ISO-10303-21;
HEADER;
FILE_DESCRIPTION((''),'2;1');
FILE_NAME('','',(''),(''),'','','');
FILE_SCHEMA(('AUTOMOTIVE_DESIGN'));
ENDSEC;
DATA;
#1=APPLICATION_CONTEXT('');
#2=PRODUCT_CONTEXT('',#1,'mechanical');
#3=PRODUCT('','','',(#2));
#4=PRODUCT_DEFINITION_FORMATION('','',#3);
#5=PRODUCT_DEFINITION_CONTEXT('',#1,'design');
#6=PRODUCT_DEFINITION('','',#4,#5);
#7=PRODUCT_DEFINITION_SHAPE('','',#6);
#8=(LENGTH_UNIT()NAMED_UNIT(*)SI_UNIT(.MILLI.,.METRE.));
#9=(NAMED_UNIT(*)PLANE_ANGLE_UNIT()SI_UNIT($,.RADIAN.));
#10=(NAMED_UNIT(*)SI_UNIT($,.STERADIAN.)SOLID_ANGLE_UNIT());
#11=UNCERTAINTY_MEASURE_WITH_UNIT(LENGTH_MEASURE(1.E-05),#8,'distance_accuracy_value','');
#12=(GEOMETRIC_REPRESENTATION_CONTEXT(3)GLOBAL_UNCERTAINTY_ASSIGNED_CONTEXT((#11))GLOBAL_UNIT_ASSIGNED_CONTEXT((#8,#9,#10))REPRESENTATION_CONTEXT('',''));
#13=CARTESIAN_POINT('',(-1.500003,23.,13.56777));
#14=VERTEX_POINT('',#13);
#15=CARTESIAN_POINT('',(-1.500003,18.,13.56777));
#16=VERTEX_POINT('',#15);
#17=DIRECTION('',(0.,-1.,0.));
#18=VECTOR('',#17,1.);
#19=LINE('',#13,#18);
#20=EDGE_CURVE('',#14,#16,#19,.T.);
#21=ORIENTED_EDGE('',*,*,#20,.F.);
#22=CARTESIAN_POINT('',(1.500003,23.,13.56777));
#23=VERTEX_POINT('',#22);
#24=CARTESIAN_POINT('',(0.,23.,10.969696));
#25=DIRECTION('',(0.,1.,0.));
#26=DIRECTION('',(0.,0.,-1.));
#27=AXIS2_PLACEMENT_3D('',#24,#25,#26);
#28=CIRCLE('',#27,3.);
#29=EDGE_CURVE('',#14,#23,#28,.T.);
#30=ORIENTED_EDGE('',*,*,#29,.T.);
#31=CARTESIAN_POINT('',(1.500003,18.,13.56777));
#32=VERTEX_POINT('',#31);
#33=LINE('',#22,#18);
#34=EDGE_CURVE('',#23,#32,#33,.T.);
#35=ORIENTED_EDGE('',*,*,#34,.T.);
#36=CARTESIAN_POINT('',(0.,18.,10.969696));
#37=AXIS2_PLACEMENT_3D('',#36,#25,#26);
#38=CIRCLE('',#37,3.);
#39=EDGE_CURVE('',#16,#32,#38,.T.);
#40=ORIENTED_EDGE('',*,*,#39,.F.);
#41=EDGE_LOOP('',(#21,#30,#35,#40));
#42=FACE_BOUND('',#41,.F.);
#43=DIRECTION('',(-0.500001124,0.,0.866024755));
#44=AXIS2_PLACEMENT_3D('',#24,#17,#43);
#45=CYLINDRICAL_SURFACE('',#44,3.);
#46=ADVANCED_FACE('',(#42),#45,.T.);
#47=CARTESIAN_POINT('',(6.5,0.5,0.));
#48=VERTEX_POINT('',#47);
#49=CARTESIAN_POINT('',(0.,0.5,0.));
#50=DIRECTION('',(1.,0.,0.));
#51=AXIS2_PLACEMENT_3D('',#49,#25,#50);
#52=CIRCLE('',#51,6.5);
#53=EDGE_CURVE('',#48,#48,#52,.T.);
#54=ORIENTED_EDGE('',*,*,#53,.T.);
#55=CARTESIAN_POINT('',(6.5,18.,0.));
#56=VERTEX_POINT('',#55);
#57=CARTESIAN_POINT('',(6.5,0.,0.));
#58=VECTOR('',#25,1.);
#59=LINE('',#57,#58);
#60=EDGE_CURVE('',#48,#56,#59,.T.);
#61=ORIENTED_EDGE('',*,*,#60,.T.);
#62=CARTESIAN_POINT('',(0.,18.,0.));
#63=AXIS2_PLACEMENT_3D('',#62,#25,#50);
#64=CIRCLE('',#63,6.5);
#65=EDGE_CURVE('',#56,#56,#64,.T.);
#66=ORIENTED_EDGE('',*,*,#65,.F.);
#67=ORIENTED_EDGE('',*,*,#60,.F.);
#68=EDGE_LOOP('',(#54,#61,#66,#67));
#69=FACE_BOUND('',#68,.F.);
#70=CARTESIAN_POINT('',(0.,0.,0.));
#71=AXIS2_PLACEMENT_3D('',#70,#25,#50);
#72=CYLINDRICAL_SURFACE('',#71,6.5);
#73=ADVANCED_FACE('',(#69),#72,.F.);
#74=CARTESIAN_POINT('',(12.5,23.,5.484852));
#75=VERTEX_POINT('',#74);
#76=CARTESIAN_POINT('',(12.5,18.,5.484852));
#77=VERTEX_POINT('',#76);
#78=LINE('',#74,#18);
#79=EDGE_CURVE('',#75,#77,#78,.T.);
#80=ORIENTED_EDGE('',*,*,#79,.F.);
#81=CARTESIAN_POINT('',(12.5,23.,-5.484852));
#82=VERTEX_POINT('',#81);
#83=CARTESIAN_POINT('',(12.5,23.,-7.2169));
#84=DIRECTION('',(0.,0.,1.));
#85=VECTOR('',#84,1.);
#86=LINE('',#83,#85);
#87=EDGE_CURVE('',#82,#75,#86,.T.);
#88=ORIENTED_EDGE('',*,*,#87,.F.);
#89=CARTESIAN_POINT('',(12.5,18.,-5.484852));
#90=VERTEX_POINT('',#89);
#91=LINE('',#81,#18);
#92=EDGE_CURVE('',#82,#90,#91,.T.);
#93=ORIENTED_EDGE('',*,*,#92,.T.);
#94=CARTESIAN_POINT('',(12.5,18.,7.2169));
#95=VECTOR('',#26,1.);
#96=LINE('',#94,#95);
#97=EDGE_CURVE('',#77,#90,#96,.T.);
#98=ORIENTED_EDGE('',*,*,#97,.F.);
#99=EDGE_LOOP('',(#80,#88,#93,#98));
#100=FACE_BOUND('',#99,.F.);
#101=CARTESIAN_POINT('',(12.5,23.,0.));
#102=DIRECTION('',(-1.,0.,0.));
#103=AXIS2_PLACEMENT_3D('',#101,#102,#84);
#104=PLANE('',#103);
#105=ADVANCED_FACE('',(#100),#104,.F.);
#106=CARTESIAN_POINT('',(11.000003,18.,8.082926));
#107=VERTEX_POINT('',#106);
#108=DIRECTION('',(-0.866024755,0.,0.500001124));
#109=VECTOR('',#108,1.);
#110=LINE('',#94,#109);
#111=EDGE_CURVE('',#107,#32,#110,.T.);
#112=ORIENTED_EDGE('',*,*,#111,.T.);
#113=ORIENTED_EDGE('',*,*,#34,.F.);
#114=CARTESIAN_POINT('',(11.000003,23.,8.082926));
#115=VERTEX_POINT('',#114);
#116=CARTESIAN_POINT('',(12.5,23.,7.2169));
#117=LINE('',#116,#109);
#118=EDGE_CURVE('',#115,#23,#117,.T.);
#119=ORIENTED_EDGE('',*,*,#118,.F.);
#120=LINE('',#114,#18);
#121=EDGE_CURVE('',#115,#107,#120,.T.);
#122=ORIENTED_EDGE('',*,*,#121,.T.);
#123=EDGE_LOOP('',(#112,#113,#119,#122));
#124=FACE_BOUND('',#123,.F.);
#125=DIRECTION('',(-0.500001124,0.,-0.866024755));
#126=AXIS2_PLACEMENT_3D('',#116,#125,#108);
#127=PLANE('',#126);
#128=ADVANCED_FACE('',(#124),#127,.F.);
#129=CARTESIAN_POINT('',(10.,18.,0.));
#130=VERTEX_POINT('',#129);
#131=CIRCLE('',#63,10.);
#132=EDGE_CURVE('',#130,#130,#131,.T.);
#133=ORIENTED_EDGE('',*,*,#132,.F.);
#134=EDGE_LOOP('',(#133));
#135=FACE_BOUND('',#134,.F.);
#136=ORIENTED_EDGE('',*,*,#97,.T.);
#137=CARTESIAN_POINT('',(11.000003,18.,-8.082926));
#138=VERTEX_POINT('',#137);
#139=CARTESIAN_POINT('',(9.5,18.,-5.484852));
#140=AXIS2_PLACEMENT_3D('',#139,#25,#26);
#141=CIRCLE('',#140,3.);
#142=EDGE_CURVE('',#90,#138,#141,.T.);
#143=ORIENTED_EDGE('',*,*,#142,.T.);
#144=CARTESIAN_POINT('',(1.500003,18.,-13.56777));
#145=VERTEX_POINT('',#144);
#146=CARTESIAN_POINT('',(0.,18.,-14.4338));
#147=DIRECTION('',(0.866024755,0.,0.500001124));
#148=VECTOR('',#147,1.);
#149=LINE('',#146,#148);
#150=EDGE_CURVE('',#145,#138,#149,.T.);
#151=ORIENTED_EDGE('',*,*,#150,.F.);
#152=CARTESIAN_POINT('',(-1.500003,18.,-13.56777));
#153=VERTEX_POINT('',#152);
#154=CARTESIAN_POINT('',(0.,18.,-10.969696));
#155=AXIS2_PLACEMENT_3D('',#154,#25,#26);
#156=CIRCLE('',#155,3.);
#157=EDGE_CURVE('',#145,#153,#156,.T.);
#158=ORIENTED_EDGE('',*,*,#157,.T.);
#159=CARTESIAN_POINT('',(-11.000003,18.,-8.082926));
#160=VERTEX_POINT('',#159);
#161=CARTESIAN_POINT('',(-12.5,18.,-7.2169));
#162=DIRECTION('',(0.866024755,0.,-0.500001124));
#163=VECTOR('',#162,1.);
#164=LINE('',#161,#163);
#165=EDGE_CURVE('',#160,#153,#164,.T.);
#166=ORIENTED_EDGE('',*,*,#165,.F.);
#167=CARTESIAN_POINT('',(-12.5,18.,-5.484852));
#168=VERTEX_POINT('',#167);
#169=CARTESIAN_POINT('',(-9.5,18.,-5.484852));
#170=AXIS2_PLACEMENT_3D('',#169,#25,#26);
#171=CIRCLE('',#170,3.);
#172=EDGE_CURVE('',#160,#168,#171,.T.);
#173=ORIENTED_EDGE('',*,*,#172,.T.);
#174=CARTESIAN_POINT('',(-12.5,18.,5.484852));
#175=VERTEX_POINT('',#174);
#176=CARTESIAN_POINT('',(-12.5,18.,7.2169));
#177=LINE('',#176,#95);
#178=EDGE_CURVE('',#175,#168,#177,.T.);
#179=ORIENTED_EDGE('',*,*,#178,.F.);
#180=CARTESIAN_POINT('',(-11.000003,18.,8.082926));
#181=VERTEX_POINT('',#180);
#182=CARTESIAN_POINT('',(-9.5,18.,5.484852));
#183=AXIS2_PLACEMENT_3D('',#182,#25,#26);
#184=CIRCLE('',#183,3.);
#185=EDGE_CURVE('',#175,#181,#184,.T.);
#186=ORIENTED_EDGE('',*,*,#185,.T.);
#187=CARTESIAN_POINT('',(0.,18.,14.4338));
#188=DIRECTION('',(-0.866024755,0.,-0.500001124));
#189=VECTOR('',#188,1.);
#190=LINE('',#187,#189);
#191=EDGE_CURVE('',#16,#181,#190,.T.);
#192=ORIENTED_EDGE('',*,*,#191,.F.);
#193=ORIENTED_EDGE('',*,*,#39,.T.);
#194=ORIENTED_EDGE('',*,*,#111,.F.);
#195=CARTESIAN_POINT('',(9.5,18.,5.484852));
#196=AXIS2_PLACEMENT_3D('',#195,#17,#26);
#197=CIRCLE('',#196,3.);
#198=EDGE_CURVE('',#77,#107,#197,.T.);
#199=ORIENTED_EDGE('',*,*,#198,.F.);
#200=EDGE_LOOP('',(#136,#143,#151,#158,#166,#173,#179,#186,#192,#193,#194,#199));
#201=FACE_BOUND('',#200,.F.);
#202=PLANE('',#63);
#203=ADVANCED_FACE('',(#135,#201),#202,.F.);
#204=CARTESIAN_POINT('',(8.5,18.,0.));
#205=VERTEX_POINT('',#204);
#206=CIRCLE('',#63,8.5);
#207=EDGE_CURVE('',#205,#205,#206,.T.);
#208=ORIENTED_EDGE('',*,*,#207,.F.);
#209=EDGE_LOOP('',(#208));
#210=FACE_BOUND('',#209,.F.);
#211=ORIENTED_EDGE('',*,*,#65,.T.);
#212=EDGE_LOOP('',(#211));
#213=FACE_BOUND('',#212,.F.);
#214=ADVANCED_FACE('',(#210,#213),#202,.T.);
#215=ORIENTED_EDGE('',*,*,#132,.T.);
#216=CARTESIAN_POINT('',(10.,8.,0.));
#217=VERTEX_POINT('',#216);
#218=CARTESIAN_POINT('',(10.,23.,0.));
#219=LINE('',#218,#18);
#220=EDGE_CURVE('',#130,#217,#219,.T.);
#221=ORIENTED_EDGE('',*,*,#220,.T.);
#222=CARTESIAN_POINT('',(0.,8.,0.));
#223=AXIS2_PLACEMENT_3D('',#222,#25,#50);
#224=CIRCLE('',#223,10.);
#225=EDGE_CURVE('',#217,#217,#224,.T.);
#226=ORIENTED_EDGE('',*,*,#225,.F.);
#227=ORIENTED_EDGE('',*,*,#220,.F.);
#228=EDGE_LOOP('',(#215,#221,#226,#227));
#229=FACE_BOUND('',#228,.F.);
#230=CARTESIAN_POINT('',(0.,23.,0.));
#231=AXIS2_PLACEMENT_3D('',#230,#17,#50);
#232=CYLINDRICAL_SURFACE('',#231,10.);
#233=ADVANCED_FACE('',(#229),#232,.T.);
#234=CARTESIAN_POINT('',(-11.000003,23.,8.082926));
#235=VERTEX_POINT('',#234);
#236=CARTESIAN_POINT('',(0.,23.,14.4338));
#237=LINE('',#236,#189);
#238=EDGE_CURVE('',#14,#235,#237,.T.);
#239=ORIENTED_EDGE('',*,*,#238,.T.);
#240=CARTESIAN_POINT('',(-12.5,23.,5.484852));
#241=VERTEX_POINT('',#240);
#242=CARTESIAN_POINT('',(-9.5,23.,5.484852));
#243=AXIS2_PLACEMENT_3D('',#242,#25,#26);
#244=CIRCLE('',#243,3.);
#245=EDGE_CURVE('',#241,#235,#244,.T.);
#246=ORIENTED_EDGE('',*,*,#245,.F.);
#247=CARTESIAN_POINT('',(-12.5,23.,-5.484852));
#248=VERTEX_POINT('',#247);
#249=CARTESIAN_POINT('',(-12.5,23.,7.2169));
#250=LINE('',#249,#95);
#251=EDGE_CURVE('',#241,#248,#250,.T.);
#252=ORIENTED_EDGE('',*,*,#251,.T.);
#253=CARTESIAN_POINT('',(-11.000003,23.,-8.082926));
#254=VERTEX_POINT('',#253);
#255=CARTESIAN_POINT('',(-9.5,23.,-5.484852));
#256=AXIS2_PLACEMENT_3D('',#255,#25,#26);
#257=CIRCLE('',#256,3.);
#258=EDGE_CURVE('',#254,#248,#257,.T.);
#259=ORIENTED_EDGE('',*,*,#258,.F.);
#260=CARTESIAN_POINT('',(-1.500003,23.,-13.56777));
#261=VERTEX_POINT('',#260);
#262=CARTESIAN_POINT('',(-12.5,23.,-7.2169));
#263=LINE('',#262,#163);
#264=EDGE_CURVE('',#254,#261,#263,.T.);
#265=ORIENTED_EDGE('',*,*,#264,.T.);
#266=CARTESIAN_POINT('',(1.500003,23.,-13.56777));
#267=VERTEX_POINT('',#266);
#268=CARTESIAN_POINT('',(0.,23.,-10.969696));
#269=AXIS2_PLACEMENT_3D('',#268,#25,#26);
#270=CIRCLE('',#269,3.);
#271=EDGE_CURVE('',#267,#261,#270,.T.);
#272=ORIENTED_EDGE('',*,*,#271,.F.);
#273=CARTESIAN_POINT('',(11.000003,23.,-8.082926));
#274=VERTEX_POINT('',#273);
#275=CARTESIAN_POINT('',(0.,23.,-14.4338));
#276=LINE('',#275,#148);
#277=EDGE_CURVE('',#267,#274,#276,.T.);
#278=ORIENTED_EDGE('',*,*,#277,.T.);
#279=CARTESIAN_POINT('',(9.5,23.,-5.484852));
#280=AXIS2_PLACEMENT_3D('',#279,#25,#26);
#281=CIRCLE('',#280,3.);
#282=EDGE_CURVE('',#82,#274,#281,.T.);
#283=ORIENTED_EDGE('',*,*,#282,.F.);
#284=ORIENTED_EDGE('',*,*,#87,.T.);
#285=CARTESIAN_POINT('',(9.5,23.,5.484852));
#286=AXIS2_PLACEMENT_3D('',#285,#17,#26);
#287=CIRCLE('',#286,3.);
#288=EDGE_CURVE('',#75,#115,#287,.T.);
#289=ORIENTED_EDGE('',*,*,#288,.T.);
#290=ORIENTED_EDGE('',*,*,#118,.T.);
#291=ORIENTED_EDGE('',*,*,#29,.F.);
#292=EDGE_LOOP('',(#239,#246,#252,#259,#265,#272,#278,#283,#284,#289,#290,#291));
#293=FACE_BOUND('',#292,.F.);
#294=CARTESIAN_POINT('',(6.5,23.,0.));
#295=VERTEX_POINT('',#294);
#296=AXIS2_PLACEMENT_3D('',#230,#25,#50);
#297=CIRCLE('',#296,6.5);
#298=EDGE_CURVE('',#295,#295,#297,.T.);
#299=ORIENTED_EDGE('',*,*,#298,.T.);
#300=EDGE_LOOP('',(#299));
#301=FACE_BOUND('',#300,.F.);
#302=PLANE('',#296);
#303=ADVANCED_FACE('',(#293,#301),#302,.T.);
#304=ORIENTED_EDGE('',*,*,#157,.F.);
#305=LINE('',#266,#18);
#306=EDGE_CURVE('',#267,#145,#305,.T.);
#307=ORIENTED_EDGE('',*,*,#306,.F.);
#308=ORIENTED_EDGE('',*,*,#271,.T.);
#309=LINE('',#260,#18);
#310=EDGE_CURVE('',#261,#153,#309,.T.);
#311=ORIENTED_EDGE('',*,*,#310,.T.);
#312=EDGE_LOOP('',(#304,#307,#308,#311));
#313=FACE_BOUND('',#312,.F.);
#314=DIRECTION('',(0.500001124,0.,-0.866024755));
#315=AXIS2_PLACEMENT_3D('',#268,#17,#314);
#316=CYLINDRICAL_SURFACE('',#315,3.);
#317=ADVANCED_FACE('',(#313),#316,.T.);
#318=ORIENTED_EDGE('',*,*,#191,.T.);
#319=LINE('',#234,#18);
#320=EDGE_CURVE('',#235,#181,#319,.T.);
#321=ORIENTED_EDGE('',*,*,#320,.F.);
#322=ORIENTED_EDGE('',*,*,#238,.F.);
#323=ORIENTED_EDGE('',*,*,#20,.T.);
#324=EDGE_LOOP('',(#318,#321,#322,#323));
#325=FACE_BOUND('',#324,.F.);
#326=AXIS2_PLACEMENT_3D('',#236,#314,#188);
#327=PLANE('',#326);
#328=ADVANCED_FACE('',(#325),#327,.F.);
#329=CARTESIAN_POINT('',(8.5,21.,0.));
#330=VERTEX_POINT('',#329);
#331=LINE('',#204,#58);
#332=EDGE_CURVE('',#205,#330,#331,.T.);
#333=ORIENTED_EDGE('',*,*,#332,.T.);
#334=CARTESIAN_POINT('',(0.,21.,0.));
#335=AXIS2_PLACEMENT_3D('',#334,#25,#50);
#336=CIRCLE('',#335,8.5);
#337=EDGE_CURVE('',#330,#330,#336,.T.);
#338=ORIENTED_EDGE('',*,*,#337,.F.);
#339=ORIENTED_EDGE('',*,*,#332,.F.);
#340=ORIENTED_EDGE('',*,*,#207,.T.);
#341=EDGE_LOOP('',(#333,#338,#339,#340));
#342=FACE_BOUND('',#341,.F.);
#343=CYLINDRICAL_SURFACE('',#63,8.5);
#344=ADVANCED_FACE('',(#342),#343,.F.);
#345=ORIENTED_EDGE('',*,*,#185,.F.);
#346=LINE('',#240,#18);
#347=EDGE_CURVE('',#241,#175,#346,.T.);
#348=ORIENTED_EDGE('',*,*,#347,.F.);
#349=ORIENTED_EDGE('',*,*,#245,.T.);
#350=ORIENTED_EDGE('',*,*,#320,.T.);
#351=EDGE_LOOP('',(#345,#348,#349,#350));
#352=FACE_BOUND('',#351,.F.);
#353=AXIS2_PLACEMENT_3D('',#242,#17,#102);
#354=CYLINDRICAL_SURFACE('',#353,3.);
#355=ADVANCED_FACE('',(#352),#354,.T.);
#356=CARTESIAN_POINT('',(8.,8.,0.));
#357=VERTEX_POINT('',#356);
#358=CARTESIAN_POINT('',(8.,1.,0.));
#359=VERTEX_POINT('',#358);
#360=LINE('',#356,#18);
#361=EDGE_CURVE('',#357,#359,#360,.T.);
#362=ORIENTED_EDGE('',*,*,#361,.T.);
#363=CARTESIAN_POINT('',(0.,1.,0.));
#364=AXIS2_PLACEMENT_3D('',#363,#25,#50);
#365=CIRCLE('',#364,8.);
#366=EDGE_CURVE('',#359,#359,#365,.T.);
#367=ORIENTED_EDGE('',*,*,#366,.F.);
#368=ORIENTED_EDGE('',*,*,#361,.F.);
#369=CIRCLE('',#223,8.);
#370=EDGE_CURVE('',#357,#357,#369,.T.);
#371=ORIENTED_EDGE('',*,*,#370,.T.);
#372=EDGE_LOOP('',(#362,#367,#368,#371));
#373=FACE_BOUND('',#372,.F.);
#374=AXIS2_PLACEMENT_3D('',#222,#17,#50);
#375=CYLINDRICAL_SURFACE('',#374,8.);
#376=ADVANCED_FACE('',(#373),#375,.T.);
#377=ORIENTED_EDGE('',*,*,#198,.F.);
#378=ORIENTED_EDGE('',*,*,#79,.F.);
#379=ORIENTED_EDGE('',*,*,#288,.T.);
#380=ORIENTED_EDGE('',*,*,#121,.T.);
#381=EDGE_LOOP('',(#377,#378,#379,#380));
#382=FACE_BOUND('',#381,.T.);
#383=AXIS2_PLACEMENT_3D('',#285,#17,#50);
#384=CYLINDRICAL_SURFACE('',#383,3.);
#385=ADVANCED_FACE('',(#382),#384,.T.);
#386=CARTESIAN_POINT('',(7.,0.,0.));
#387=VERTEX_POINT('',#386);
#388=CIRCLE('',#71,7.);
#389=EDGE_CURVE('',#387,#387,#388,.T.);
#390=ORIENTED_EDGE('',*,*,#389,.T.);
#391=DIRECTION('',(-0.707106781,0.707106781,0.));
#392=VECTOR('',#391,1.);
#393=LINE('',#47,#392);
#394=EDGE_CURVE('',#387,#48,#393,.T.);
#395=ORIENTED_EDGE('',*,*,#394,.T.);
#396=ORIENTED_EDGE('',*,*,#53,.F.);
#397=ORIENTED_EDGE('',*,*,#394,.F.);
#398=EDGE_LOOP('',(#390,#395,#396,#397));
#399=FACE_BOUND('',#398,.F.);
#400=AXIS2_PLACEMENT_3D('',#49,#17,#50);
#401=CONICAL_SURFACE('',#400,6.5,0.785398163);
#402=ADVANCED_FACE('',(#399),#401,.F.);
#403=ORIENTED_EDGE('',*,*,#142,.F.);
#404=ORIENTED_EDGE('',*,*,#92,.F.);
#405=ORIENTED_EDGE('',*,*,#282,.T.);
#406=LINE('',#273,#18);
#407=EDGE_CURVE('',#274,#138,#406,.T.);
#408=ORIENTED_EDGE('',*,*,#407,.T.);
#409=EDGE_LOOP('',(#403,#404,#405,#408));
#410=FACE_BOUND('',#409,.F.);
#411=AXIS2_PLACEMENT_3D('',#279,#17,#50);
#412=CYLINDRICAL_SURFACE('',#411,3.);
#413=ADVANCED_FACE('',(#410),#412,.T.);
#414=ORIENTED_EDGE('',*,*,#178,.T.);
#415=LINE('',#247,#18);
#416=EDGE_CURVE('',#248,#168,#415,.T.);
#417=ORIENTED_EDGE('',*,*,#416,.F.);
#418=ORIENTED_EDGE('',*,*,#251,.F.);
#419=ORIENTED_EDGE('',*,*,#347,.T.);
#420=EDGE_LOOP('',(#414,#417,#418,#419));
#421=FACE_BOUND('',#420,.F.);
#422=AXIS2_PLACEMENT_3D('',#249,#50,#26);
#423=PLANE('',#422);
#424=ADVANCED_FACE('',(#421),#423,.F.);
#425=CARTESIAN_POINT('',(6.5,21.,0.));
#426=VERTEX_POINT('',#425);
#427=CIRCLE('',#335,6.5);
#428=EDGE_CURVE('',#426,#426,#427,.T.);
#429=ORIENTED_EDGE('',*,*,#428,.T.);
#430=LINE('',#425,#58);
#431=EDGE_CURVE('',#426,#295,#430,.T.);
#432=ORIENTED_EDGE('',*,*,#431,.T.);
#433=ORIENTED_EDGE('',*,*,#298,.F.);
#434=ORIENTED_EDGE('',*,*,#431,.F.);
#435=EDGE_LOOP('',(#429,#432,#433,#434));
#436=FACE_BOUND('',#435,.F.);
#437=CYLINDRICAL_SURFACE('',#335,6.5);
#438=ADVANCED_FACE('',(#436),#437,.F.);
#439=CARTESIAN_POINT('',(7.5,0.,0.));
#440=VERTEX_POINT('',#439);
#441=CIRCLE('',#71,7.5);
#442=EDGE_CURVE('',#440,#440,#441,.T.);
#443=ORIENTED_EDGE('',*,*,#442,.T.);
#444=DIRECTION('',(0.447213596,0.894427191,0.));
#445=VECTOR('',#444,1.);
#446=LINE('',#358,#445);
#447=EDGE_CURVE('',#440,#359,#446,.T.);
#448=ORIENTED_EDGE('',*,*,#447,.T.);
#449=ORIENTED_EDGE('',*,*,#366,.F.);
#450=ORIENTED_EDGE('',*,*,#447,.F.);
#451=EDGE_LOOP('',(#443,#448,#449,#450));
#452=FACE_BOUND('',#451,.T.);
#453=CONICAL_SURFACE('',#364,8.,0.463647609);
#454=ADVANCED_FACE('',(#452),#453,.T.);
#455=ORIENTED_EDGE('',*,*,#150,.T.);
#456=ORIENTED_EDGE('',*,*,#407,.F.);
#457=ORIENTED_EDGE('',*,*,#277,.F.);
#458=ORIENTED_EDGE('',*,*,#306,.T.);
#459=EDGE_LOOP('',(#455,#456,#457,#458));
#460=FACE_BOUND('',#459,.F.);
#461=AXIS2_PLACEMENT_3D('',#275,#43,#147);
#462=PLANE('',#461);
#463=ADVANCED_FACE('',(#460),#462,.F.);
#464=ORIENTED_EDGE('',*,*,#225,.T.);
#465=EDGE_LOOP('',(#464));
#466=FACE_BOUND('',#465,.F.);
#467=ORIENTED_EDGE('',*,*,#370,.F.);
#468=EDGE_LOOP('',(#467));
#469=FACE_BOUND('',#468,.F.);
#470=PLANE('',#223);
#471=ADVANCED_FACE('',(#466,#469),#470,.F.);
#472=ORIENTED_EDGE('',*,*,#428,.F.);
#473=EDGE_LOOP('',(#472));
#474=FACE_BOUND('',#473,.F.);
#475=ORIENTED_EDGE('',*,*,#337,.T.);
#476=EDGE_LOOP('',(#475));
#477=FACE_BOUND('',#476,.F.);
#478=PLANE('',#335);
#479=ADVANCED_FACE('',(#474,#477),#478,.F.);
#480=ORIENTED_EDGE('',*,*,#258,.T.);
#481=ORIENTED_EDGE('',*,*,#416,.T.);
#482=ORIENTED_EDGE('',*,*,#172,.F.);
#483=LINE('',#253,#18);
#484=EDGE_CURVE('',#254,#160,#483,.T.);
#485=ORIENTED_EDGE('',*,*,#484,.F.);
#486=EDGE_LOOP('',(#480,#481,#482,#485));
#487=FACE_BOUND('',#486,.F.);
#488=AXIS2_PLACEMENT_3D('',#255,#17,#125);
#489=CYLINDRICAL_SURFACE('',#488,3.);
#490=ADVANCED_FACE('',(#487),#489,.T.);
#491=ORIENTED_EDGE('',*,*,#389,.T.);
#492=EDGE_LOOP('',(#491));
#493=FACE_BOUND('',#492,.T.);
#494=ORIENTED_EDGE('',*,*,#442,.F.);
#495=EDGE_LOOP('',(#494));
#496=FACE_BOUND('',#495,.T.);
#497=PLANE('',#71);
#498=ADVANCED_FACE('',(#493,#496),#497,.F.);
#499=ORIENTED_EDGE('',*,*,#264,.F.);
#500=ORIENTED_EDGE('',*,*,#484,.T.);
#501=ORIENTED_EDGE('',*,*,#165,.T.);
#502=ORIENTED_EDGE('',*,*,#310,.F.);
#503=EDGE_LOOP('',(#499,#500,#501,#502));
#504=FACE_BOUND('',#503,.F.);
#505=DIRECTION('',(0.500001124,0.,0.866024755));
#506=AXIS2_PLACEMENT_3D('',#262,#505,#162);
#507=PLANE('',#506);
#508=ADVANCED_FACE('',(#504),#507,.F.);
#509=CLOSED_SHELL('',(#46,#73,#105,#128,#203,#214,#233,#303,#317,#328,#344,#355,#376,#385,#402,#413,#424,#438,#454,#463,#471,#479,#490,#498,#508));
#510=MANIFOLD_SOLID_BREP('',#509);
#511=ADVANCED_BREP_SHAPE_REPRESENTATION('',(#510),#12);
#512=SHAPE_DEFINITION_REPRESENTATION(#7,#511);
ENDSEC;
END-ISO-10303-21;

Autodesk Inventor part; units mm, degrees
ref_plane "YZ Plane" through (0, 0, 0) normal (1, 0, 0) x (0, 1, 0)
ref_plane "XZ Plane" through (0, 0, 0) normal (0, 1, 0) x (-1, 0, 0)
ref_plane "XY Plane" through (0, 0, 0) normal (0, 0, 1) x (1, 0, 0)
sketch "Sketch1" plane through (0, 0, 0) normal (0, 0, 1) x (1, 0, 0)
  line L0 (-1, 0) -> (13, 0) projected
  line L1 (0, -2.3) -> (0, 29.9) projected
  line L2 (6.5, 0) -> (6.5, 18)
  line L3 (6.5, 18) -> (8.5, 18)
  line L4 (8.5, 18) -> (8.5, 21)
  line L5 (8.5, 21) -> (6.5, 21)
  line L6 (6.5, 21) -> (6.5, 23)
  line L7 (6.5, 23) -> (10, 23)
  line L8 (10, 23) -> (10, 8)
  line L9 (10, 8) -> (8, 8)
  line L10 (8, 8) -> (8, 0)
  line L11 (8, 0) -> (6.5, 0)
  point P0 (0, 0)
  dimension "d0" = 13
  dimension "d1" = 16
  dimension "d2" = 20
  dimension "d3" = 8
  dimension "d4" = 23
  dimension "d5" = 2
  dimension "d6" = 3
  dimension "d7" = 2
revolve "Revolution1" add sketch "Sketch1" angle 360 about axis through (0, -10, 0) along (0, 1, 0)
sketch "Sketch2" plane through (0, 23, 0) normal (0, 1, 0) x (1, 0, 0)
  circle A0 centre (0, 0) radius 10 projected
  circle A1 centre (0, 0) radius 6.5 projected
  line L0 (-12, 0) -> (16, 0) projected
  line L1 (0, 12) -> (0, -16) projected
  line L2 (0, -14.4338) -> (-12.5, -7.2169)
  line L3 (-12.5, -7.2169) -> (-12.5, 7.2169)
  line L4 (-12.5, 7.2169) -> (0, 14.4338)
  line L5 (0, 14.4338) -> (12.5, 7.2169)
  line L6 (12.5, 7.2169) -> (12.5, -7.2169)
  line L7 (12.5, -7.2169) -> (0, -14.4338)
  dimension "d9" = 25
extrude "Extrusion1" add sketch "Sketch2" against normal blind 5 contours L0 L6 L7 L1 A0 | A0 L1 L2 L3 L4 L5 L6 L0
fillet "Fillet1" radius 3 6 edges at (0, 20.5, 14.4338) (-12.5, 20.5, 7.2169) (-12.5, 20.5, -7.2169) (0, 20.5, -14.4338) (12.5, 20.5, -7.2169) (12.5, 20.5, 7.2169)
chamfer "Chamfer1" distance 0.5 angle 45 1 edges at (-6.5, 0, 0)
chamfer "Chamfer2" distance 0.5 distance2 1 1 edges at (-8, 0, 0) measured on face at (7.5214, 0, 1.1966)
thread "Thread1" size "M20x2.5" class "6g" standard "ANSI Metric M Profile" length 5 offset 3
properties part number "Packing Nut" material "Bronze, Soft Tin"
